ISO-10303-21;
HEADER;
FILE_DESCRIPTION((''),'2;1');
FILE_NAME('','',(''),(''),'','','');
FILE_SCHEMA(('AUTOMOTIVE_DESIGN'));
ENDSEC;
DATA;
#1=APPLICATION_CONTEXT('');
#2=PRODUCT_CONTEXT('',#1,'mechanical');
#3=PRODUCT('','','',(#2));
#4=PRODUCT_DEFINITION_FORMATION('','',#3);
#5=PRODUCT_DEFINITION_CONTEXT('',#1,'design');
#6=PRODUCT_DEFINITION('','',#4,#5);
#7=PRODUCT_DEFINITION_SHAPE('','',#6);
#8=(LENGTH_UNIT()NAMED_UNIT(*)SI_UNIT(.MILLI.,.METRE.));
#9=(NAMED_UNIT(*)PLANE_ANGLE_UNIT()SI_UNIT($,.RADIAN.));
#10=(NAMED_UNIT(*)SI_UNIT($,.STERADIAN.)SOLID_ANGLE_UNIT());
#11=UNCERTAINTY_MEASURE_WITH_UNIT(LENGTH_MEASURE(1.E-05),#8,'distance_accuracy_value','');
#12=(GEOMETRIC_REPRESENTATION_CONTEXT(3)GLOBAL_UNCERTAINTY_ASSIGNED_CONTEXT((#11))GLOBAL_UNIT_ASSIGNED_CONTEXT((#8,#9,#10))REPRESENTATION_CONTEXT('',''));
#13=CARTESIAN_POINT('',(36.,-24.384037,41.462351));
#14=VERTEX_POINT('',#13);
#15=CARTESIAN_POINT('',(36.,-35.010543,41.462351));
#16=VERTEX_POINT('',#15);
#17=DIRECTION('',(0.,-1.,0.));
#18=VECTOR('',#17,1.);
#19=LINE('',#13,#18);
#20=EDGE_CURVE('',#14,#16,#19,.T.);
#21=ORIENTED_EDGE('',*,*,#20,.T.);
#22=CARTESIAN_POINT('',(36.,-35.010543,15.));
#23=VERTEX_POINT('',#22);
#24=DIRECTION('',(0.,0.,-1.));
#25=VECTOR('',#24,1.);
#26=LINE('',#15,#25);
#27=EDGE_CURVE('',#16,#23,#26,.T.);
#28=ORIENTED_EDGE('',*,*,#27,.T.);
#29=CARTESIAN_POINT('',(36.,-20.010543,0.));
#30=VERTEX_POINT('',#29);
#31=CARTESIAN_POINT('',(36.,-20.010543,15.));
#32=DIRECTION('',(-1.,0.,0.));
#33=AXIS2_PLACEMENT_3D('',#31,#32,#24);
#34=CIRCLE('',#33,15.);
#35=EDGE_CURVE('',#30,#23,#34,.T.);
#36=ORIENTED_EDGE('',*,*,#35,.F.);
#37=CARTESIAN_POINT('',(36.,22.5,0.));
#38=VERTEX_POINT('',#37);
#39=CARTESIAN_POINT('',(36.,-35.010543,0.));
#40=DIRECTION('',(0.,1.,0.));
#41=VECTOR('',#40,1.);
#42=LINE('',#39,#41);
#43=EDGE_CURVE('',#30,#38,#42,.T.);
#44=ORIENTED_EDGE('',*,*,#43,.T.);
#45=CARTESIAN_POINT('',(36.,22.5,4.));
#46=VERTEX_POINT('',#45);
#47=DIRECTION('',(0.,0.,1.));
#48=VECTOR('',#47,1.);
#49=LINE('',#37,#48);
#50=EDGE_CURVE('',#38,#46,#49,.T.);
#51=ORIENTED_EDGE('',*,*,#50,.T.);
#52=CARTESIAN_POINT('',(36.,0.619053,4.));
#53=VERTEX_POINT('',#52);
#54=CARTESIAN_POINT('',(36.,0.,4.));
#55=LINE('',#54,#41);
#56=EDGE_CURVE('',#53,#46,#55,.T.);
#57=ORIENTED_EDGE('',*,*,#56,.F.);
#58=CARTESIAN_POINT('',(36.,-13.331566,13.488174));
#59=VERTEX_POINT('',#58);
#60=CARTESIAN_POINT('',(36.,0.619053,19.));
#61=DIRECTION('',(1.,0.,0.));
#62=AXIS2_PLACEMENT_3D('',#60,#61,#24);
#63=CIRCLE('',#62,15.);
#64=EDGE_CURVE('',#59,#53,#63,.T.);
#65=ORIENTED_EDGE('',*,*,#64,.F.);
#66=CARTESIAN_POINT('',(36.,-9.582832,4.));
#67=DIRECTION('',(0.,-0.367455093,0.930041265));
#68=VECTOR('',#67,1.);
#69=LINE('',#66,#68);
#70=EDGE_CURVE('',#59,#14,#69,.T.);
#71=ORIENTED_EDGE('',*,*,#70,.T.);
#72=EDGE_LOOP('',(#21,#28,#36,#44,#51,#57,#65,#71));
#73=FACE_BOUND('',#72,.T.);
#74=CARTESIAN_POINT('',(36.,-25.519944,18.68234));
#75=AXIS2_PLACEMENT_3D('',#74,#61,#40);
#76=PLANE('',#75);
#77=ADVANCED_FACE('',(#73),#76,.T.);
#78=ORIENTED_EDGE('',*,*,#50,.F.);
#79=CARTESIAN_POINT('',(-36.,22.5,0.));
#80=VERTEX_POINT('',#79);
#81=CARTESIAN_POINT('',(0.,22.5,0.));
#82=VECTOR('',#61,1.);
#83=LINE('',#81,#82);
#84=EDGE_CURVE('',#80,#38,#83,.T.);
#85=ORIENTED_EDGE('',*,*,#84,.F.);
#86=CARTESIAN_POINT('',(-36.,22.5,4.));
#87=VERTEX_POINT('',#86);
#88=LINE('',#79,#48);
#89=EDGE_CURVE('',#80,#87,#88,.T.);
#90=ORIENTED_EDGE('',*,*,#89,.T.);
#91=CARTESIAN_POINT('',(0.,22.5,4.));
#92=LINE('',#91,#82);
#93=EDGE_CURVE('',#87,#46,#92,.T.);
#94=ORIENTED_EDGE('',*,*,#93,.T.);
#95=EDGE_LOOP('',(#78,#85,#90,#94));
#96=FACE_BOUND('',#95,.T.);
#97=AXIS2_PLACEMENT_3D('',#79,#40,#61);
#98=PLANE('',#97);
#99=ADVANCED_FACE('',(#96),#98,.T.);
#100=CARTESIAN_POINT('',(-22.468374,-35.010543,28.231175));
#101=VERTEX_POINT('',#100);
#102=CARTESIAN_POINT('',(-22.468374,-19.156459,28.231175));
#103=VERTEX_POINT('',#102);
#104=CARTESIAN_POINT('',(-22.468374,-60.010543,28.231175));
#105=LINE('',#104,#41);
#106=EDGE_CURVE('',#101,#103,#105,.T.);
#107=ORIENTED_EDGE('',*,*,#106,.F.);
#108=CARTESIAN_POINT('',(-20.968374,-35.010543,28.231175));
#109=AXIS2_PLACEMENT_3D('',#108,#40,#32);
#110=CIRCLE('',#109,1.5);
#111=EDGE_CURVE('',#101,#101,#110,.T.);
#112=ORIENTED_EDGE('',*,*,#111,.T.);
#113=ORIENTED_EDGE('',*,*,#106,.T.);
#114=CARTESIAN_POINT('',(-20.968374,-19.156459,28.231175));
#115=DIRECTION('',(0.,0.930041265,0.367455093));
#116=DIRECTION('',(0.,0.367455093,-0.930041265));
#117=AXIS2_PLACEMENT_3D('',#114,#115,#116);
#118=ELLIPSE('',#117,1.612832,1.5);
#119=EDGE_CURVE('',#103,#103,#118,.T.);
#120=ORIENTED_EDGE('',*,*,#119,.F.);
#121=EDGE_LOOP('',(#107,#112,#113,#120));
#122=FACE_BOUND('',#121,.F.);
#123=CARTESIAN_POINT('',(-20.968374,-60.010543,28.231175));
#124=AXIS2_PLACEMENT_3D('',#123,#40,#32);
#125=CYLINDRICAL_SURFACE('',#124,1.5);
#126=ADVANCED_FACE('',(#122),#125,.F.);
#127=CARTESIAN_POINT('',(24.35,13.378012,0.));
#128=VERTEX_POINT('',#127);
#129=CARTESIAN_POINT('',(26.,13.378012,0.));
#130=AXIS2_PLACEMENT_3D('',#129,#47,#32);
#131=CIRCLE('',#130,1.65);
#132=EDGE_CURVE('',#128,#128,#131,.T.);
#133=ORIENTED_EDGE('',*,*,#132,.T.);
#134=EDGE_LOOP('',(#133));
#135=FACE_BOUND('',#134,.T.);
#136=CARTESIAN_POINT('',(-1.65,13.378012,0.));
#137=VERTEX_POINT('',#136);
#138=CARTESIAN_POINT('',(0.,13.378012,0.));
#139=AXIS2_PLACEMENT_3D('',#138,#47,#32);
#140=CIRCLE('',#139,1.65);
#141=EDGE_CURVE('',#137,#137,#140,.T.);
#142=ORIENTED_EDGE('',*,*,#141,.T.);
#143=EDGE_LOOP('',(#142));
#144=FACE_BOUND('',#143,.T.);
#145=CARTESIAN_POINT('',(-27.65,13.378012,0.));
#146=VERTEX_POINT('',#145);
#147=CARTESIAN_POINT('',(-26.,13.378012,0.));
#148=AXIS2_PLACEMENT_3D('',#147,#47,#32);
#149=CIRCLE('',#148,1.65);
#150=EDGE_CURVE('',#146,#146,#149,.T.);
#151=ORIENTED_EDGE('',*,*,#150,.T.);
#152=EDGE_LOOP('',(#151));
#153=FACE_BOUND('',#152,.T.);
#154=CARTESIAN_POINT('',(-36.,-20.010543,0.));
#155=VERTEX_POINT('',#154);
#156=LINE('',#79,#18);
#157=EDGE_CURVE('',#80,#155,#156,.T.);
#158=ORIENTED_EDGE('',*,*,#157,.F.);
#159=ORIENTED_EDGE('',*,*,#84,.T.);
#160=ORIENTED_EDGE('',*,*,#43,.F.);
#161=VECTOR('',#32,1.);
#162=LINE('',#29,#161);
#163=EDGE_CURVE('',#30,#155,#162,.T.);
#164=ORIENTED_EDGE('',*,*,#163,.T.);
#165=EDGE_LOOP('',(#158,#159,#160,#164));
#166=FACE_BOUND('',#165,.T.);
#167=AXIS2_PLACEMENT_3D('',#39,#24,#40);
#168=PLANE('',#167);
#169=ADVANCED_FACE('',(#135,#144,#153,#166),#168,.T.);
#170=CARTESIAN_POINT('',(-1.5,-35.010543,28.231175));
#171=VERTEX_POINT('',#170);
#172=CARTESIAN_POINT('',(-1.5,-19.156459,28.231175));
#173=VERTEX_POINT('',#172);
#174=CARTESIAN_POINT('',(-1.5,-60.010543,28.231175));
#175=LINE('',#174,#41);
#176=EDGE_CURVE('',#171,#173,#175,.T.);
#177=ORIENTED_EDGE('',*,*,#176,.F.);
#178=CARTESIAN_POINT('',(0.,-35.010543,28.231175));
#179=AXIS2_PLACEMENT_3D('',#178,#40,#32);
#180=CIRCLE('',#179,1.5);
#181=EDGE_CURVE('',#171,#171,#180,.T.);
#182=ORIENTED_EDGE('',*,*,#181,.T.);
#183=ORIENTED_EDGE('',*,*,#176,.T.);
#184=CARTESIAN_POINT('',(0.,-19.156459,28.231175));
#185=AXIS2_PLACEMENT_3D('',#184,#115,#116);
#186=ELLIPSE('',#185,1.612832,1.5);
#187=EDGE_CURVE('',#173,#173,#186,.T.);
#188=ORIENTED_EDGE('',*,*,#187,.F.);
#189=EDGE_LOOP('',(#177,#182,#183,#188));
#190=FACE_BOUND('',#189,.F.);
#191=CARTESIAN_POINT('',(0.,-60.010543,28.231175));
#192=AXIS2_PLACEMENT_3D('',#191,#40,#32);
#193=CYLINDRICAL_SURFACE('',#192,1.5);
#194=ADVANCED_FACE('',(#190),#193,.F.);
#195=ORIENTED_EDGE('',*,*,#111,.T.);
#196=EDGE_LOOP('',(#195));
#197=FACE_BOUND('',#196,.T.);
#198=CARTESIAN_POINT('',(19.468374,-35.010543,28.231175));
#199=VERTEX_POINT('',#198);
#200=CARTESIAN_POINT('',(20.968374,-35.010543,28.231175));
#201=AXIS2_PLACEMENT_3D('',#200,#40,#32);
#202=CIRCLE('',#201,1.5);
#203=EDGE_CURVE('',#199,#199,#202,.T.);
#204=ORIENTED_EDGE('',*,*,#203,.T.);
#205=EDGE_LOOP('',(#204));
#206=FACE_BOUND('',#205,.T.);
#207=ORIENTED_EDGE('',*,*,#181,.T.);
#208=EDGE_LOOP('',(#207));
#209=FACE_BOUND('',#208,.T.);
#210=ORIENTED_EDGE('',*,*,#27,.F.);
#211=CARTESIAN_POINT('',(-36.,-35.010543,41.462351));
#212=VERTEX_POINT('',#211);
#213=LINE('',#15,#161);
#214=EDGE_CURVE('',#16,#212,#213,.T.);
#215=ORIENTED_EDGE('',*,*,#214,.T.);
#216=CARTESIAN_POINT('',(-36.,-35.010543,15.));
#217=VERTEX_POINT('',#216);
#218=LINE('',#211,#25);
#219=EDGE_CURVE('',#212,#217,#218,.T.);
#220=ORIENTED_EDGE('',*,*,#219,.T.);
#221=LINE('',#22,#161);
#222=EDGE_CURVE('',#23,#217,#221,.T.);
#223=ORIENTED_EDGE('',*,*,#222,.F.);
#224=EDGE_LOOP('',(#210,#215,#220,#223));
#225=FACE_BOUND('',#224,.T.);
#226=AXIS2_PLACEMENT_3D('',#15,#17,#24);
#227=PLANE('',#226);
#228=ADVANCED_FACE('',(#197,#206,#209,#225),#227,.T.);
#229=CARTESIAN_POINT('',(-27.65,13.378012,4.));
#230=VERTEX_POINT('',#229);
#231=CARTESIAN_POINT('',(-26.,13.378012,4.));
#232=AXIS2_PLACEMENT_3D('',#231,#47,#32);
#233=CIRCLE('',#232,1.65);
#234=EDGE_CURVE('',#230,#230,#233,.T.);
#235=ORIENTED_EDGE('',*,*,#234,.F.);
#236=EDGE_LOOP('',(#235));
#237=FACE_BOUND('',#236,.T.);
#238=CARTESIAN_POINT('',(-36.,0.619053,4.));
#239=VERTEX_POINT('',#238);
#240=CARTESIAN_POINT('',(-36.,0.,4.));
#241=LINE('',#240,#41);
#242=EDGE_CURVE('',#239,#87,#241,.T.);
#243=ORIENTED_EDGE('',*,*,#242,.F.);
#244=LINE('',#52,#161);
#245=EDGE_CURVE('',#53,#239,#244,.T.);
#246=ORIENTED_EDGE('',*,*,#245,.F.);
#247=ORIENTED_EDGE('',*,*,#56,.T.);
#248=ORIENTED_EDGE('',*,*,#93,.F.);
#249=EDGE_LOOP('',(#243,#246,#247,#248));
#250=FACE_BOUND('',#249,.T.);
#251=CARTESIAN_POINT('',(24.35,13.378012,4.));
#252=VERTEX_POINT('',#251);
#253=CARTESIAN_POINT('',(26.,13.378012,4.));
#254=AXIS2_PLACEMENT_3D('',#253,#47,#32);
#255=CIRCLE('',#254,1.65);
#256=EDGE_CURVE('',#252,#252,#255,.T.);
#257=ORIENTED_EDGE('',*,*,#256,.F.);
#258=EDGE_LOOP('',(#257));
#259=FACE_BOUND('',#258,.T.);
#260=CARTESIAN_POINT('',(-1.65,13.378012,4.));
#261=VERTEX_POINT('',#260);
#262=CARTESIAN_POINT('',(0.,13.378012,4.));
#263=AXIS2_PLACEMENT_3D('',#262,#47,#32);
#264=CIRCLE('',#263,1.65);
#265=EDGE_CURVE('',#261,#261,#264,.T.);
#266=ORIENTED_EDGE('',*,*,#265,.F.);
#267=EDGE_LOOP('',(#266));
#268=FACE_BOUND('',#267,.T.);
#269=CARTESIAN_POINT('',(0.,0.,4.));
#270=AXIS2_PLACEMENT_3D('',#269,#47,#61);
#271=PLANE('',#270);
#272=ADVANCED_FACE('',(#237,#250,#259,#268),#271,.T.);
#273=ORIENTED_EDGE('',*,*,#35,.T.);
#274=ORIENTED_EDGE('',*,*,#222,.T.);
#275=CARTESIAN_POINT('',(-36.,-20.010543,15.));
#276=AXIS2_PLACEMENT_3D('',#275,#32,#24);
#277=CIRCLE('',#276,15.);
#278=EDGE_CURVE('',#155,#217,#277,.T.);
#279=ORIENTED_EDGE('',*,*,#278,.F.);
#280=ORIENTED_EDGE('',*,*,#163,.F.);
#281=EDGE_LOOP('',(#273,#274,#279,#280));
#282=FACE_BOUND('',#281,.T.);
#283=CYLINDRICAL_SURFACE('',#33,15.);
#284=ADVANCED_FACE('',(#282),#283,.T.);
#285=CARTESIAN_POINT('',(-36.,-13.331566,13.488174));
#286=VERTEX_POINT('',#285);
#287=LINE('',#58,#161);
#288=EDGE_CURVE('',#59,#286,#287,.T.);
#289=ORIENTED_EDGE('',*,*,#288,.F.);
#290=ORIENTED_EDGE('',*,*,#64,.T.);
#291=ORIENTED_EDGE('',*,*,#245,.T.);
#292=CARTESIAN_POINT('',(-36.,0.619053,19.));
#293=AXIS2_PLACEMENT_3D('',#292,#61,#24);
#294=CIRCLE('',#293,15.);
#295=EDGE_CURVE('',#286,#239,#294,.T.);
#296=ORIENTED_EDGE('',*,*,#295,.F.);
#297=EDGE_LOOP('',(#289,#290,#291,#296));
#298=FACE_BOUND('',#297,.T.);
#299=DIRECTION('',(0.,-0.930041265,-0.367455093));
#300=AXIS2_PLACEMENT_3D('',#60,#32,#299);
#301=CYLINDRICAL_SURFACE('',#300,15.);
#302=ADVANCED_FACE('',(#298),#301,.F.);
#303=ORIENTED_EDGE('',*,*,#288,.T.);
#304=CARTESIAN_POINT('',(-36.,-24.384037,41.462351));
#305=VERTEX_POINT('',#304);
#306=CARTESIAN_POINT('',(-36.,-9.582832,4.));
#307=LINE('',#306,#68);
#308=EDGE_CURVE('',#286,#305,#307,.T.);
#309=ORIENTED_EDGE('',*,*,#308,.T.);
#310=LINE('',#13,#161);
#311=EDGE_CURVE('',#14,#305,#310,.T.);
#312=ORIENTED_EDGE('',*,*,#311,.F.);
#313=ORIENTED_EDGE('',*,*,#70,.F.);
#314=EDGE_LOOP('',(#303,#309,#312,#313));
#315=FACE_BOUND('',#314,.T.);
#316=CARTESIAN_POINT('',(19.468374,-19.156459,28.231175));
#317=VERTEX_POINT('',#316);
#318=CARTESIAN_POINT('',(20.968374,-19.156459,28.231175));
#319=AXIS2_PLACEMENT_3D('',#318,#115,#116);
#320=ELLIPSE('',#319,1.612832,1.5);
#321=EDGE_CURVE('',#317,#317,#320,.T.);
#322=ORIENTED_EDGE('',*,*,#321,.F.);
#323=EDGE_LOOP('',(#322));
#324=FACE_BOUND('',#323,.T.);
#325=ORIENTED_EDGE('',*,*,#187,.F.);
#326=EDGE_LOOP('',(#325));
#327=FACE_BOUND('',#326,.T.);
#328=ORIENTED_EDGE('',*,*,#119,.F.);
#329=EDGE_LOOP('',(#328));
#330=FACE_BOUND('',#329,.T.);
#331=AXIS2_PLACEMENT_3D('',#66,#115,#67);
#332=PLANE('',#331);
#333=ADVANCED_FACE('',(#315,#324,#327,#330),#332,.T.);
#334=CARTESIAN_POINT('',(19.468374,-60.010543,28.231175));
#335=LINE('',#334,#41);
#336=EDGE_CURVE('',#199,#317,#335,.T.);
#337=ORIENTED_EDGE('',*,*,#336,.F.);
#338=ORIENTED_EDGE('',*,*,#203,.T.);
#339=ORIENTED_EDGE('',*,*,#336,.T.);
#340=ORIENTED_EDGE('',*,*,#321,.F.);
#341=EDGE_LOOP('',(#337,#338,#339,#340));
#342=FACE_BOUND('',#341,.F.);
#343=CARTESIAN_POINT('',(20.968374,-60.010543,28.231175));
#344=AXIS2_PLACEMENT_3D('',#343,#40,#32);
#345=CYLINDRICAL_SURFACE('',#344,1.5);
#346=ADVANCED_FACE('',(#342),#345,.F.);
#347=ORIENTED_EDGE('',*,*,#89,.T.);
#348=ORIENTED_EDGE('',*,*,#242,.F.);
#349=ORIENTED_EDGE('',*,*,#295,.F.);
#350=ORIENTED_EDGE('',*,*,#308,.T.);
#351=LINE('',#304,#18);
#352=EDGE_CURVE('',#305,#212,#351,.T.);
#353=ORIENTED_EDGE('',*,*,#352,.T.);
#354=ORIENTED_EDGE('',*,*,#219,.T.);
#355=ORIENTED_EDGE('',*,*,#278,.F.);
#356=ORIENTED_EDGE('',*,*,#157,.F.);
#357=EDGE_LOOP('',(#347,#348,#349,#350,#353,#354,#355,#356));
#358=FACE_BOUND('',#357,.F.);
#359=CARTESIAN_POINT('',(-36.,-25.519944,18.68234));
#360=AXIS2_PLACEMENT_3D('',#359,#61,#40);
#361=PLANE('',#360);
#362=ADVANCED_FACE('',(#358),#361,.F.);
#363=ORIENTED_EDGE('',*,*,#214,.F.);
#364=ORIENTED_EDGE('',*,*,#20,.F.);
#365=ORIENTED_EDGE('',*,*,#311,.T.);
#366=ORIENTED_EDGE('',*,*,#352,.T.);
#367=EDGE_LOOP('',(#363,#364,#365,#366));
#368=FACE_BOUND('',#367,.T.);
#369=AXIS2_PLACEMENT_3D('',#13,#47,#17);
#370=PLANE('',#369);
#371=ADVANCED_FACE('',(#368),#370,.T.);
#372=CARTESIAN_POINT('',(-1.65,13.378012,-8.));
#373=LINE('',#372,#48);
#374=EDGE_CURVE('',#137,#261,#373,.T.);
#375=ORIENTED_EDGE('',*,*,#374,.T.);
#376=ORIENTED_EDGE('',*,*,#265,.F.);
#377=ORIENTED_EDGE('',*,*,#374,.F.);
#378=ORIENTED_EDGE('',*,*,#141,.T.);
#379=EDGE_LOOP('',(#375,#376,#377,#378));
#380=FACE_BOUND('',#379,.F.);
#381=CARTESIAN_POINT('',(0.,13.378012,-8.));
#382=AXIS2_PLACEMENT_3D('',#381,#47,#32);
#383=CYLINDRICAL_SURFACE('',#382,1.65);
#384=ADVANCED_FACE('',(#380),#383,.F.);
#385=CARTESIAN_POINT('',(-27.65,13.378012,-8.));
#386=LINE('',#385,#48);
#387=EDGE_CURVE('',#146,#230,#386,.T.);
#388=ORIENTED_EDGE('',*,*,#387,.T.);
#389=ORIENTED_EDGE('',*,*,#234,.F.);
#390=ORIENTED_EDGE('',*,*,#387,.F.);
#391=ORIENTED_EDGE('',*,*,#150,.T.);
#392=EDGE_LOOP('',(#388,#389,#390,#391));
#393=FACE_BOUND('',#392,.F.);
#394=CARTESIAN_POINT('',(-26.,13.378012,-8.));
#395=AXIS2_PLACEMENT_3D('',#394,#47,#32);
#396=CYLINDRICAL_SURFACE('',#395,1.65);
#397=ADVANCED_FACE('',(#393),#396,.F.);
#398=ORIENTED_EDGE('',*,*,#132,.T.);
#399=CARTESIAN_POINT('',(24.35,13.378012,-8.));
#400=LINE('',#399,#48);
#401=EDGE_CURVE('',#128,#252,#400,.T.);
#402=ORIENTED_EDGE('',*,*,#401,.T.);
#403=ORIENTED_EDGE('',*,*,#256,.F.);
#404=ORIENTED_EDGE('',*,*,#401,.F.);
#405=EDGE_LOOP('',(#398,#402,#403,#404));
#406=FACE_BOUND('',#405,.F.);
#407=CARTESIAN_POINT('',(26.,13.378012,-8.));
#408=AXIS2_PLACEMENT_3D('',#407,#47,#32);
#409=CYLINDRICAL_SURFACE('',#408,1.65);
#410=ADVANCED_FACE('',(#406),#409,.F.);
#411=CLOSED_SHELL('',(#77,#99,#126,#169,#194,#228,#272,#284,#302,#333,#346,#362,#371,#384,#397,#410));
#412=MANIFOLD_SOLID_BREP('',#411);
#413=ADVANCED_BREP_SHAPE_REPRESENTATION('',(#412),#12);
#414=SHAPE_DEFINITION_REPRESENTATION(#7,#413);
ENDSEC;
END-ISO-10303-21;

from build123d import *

# Parameters (mm, degrees)
F0_W     = 72
F0_H     = 45
F1_DEPTH = 4
F2_D     = 3.3
F2_DEPTH = 8
F2_TIP   = 0.9914200214
F4_DEPTH = 72
F5_R     = 15
F7_D     = 3
F7_DEPTH = 25
F7_TIP   = 0.9012909285


with BuildPart() as f1:
    # F0 (on Top) → F1 (new body)
    with BuildSketch(Plane.XY):
        Rectangle(F0_W, F0_H)
    extrude(amount=F1_DEPTH)

    # F2
    with Locations(Plane(origin=(0, 0, 0), x_dir=(1, 0, 0), z_dir=(0, 0, -1))):
        with Locations((-26, -13.3780119941), (0, -13.3780119941), (26, -13.3780119941)):
            Hole(F2_D / 2, depth=F2_DEPTH)
            with Locations((0, 0, -(F2_DEPTH + F2_TIP / 2))):  # 118° drill point
                Cone(0, F2_D / 2, F2_TIP, mode=Mode.SUBTRACT)

    # F3 (on face) → F4 (join)
    with BuildSketch(Plane.YZ.offset(36)):
        Polygon((-22.5, 4), (-9.5828315243, 4), (-24.3840366602, 41.4623506367), (-35.0105427206, 41.4623506367), (-35.0105427206, 0), (-22.5, 0), align=None)
    extrude(amount=-F4_DEPTH)

    # F5
    f5_edges = [f1.edges().sort_by_distance(p)[0] for p in [
        (0, -35.010543, 0),
        (0, -9.582832, 4),
    ]]
    fillet(f5_edges, radius=F5_R)

    # F7
    with Locations(Plane.XZ.offset(35.0105427206)):
        with Locations((-20.9683738649, 28.2311753184), (20.9683738649, 28.2311753184), (0, 28.2311753184)):
            Hole(F7_D / 2, depth=F7_DEPTH)
            with Locations((0, 0, -(F7_DEPTH + F7_TIP / 2))):  # 118° drill point
                Cone(0, F7_D / 2, F7_TIP, mode=Mode.SUBTRACT)


solid = f1.part
